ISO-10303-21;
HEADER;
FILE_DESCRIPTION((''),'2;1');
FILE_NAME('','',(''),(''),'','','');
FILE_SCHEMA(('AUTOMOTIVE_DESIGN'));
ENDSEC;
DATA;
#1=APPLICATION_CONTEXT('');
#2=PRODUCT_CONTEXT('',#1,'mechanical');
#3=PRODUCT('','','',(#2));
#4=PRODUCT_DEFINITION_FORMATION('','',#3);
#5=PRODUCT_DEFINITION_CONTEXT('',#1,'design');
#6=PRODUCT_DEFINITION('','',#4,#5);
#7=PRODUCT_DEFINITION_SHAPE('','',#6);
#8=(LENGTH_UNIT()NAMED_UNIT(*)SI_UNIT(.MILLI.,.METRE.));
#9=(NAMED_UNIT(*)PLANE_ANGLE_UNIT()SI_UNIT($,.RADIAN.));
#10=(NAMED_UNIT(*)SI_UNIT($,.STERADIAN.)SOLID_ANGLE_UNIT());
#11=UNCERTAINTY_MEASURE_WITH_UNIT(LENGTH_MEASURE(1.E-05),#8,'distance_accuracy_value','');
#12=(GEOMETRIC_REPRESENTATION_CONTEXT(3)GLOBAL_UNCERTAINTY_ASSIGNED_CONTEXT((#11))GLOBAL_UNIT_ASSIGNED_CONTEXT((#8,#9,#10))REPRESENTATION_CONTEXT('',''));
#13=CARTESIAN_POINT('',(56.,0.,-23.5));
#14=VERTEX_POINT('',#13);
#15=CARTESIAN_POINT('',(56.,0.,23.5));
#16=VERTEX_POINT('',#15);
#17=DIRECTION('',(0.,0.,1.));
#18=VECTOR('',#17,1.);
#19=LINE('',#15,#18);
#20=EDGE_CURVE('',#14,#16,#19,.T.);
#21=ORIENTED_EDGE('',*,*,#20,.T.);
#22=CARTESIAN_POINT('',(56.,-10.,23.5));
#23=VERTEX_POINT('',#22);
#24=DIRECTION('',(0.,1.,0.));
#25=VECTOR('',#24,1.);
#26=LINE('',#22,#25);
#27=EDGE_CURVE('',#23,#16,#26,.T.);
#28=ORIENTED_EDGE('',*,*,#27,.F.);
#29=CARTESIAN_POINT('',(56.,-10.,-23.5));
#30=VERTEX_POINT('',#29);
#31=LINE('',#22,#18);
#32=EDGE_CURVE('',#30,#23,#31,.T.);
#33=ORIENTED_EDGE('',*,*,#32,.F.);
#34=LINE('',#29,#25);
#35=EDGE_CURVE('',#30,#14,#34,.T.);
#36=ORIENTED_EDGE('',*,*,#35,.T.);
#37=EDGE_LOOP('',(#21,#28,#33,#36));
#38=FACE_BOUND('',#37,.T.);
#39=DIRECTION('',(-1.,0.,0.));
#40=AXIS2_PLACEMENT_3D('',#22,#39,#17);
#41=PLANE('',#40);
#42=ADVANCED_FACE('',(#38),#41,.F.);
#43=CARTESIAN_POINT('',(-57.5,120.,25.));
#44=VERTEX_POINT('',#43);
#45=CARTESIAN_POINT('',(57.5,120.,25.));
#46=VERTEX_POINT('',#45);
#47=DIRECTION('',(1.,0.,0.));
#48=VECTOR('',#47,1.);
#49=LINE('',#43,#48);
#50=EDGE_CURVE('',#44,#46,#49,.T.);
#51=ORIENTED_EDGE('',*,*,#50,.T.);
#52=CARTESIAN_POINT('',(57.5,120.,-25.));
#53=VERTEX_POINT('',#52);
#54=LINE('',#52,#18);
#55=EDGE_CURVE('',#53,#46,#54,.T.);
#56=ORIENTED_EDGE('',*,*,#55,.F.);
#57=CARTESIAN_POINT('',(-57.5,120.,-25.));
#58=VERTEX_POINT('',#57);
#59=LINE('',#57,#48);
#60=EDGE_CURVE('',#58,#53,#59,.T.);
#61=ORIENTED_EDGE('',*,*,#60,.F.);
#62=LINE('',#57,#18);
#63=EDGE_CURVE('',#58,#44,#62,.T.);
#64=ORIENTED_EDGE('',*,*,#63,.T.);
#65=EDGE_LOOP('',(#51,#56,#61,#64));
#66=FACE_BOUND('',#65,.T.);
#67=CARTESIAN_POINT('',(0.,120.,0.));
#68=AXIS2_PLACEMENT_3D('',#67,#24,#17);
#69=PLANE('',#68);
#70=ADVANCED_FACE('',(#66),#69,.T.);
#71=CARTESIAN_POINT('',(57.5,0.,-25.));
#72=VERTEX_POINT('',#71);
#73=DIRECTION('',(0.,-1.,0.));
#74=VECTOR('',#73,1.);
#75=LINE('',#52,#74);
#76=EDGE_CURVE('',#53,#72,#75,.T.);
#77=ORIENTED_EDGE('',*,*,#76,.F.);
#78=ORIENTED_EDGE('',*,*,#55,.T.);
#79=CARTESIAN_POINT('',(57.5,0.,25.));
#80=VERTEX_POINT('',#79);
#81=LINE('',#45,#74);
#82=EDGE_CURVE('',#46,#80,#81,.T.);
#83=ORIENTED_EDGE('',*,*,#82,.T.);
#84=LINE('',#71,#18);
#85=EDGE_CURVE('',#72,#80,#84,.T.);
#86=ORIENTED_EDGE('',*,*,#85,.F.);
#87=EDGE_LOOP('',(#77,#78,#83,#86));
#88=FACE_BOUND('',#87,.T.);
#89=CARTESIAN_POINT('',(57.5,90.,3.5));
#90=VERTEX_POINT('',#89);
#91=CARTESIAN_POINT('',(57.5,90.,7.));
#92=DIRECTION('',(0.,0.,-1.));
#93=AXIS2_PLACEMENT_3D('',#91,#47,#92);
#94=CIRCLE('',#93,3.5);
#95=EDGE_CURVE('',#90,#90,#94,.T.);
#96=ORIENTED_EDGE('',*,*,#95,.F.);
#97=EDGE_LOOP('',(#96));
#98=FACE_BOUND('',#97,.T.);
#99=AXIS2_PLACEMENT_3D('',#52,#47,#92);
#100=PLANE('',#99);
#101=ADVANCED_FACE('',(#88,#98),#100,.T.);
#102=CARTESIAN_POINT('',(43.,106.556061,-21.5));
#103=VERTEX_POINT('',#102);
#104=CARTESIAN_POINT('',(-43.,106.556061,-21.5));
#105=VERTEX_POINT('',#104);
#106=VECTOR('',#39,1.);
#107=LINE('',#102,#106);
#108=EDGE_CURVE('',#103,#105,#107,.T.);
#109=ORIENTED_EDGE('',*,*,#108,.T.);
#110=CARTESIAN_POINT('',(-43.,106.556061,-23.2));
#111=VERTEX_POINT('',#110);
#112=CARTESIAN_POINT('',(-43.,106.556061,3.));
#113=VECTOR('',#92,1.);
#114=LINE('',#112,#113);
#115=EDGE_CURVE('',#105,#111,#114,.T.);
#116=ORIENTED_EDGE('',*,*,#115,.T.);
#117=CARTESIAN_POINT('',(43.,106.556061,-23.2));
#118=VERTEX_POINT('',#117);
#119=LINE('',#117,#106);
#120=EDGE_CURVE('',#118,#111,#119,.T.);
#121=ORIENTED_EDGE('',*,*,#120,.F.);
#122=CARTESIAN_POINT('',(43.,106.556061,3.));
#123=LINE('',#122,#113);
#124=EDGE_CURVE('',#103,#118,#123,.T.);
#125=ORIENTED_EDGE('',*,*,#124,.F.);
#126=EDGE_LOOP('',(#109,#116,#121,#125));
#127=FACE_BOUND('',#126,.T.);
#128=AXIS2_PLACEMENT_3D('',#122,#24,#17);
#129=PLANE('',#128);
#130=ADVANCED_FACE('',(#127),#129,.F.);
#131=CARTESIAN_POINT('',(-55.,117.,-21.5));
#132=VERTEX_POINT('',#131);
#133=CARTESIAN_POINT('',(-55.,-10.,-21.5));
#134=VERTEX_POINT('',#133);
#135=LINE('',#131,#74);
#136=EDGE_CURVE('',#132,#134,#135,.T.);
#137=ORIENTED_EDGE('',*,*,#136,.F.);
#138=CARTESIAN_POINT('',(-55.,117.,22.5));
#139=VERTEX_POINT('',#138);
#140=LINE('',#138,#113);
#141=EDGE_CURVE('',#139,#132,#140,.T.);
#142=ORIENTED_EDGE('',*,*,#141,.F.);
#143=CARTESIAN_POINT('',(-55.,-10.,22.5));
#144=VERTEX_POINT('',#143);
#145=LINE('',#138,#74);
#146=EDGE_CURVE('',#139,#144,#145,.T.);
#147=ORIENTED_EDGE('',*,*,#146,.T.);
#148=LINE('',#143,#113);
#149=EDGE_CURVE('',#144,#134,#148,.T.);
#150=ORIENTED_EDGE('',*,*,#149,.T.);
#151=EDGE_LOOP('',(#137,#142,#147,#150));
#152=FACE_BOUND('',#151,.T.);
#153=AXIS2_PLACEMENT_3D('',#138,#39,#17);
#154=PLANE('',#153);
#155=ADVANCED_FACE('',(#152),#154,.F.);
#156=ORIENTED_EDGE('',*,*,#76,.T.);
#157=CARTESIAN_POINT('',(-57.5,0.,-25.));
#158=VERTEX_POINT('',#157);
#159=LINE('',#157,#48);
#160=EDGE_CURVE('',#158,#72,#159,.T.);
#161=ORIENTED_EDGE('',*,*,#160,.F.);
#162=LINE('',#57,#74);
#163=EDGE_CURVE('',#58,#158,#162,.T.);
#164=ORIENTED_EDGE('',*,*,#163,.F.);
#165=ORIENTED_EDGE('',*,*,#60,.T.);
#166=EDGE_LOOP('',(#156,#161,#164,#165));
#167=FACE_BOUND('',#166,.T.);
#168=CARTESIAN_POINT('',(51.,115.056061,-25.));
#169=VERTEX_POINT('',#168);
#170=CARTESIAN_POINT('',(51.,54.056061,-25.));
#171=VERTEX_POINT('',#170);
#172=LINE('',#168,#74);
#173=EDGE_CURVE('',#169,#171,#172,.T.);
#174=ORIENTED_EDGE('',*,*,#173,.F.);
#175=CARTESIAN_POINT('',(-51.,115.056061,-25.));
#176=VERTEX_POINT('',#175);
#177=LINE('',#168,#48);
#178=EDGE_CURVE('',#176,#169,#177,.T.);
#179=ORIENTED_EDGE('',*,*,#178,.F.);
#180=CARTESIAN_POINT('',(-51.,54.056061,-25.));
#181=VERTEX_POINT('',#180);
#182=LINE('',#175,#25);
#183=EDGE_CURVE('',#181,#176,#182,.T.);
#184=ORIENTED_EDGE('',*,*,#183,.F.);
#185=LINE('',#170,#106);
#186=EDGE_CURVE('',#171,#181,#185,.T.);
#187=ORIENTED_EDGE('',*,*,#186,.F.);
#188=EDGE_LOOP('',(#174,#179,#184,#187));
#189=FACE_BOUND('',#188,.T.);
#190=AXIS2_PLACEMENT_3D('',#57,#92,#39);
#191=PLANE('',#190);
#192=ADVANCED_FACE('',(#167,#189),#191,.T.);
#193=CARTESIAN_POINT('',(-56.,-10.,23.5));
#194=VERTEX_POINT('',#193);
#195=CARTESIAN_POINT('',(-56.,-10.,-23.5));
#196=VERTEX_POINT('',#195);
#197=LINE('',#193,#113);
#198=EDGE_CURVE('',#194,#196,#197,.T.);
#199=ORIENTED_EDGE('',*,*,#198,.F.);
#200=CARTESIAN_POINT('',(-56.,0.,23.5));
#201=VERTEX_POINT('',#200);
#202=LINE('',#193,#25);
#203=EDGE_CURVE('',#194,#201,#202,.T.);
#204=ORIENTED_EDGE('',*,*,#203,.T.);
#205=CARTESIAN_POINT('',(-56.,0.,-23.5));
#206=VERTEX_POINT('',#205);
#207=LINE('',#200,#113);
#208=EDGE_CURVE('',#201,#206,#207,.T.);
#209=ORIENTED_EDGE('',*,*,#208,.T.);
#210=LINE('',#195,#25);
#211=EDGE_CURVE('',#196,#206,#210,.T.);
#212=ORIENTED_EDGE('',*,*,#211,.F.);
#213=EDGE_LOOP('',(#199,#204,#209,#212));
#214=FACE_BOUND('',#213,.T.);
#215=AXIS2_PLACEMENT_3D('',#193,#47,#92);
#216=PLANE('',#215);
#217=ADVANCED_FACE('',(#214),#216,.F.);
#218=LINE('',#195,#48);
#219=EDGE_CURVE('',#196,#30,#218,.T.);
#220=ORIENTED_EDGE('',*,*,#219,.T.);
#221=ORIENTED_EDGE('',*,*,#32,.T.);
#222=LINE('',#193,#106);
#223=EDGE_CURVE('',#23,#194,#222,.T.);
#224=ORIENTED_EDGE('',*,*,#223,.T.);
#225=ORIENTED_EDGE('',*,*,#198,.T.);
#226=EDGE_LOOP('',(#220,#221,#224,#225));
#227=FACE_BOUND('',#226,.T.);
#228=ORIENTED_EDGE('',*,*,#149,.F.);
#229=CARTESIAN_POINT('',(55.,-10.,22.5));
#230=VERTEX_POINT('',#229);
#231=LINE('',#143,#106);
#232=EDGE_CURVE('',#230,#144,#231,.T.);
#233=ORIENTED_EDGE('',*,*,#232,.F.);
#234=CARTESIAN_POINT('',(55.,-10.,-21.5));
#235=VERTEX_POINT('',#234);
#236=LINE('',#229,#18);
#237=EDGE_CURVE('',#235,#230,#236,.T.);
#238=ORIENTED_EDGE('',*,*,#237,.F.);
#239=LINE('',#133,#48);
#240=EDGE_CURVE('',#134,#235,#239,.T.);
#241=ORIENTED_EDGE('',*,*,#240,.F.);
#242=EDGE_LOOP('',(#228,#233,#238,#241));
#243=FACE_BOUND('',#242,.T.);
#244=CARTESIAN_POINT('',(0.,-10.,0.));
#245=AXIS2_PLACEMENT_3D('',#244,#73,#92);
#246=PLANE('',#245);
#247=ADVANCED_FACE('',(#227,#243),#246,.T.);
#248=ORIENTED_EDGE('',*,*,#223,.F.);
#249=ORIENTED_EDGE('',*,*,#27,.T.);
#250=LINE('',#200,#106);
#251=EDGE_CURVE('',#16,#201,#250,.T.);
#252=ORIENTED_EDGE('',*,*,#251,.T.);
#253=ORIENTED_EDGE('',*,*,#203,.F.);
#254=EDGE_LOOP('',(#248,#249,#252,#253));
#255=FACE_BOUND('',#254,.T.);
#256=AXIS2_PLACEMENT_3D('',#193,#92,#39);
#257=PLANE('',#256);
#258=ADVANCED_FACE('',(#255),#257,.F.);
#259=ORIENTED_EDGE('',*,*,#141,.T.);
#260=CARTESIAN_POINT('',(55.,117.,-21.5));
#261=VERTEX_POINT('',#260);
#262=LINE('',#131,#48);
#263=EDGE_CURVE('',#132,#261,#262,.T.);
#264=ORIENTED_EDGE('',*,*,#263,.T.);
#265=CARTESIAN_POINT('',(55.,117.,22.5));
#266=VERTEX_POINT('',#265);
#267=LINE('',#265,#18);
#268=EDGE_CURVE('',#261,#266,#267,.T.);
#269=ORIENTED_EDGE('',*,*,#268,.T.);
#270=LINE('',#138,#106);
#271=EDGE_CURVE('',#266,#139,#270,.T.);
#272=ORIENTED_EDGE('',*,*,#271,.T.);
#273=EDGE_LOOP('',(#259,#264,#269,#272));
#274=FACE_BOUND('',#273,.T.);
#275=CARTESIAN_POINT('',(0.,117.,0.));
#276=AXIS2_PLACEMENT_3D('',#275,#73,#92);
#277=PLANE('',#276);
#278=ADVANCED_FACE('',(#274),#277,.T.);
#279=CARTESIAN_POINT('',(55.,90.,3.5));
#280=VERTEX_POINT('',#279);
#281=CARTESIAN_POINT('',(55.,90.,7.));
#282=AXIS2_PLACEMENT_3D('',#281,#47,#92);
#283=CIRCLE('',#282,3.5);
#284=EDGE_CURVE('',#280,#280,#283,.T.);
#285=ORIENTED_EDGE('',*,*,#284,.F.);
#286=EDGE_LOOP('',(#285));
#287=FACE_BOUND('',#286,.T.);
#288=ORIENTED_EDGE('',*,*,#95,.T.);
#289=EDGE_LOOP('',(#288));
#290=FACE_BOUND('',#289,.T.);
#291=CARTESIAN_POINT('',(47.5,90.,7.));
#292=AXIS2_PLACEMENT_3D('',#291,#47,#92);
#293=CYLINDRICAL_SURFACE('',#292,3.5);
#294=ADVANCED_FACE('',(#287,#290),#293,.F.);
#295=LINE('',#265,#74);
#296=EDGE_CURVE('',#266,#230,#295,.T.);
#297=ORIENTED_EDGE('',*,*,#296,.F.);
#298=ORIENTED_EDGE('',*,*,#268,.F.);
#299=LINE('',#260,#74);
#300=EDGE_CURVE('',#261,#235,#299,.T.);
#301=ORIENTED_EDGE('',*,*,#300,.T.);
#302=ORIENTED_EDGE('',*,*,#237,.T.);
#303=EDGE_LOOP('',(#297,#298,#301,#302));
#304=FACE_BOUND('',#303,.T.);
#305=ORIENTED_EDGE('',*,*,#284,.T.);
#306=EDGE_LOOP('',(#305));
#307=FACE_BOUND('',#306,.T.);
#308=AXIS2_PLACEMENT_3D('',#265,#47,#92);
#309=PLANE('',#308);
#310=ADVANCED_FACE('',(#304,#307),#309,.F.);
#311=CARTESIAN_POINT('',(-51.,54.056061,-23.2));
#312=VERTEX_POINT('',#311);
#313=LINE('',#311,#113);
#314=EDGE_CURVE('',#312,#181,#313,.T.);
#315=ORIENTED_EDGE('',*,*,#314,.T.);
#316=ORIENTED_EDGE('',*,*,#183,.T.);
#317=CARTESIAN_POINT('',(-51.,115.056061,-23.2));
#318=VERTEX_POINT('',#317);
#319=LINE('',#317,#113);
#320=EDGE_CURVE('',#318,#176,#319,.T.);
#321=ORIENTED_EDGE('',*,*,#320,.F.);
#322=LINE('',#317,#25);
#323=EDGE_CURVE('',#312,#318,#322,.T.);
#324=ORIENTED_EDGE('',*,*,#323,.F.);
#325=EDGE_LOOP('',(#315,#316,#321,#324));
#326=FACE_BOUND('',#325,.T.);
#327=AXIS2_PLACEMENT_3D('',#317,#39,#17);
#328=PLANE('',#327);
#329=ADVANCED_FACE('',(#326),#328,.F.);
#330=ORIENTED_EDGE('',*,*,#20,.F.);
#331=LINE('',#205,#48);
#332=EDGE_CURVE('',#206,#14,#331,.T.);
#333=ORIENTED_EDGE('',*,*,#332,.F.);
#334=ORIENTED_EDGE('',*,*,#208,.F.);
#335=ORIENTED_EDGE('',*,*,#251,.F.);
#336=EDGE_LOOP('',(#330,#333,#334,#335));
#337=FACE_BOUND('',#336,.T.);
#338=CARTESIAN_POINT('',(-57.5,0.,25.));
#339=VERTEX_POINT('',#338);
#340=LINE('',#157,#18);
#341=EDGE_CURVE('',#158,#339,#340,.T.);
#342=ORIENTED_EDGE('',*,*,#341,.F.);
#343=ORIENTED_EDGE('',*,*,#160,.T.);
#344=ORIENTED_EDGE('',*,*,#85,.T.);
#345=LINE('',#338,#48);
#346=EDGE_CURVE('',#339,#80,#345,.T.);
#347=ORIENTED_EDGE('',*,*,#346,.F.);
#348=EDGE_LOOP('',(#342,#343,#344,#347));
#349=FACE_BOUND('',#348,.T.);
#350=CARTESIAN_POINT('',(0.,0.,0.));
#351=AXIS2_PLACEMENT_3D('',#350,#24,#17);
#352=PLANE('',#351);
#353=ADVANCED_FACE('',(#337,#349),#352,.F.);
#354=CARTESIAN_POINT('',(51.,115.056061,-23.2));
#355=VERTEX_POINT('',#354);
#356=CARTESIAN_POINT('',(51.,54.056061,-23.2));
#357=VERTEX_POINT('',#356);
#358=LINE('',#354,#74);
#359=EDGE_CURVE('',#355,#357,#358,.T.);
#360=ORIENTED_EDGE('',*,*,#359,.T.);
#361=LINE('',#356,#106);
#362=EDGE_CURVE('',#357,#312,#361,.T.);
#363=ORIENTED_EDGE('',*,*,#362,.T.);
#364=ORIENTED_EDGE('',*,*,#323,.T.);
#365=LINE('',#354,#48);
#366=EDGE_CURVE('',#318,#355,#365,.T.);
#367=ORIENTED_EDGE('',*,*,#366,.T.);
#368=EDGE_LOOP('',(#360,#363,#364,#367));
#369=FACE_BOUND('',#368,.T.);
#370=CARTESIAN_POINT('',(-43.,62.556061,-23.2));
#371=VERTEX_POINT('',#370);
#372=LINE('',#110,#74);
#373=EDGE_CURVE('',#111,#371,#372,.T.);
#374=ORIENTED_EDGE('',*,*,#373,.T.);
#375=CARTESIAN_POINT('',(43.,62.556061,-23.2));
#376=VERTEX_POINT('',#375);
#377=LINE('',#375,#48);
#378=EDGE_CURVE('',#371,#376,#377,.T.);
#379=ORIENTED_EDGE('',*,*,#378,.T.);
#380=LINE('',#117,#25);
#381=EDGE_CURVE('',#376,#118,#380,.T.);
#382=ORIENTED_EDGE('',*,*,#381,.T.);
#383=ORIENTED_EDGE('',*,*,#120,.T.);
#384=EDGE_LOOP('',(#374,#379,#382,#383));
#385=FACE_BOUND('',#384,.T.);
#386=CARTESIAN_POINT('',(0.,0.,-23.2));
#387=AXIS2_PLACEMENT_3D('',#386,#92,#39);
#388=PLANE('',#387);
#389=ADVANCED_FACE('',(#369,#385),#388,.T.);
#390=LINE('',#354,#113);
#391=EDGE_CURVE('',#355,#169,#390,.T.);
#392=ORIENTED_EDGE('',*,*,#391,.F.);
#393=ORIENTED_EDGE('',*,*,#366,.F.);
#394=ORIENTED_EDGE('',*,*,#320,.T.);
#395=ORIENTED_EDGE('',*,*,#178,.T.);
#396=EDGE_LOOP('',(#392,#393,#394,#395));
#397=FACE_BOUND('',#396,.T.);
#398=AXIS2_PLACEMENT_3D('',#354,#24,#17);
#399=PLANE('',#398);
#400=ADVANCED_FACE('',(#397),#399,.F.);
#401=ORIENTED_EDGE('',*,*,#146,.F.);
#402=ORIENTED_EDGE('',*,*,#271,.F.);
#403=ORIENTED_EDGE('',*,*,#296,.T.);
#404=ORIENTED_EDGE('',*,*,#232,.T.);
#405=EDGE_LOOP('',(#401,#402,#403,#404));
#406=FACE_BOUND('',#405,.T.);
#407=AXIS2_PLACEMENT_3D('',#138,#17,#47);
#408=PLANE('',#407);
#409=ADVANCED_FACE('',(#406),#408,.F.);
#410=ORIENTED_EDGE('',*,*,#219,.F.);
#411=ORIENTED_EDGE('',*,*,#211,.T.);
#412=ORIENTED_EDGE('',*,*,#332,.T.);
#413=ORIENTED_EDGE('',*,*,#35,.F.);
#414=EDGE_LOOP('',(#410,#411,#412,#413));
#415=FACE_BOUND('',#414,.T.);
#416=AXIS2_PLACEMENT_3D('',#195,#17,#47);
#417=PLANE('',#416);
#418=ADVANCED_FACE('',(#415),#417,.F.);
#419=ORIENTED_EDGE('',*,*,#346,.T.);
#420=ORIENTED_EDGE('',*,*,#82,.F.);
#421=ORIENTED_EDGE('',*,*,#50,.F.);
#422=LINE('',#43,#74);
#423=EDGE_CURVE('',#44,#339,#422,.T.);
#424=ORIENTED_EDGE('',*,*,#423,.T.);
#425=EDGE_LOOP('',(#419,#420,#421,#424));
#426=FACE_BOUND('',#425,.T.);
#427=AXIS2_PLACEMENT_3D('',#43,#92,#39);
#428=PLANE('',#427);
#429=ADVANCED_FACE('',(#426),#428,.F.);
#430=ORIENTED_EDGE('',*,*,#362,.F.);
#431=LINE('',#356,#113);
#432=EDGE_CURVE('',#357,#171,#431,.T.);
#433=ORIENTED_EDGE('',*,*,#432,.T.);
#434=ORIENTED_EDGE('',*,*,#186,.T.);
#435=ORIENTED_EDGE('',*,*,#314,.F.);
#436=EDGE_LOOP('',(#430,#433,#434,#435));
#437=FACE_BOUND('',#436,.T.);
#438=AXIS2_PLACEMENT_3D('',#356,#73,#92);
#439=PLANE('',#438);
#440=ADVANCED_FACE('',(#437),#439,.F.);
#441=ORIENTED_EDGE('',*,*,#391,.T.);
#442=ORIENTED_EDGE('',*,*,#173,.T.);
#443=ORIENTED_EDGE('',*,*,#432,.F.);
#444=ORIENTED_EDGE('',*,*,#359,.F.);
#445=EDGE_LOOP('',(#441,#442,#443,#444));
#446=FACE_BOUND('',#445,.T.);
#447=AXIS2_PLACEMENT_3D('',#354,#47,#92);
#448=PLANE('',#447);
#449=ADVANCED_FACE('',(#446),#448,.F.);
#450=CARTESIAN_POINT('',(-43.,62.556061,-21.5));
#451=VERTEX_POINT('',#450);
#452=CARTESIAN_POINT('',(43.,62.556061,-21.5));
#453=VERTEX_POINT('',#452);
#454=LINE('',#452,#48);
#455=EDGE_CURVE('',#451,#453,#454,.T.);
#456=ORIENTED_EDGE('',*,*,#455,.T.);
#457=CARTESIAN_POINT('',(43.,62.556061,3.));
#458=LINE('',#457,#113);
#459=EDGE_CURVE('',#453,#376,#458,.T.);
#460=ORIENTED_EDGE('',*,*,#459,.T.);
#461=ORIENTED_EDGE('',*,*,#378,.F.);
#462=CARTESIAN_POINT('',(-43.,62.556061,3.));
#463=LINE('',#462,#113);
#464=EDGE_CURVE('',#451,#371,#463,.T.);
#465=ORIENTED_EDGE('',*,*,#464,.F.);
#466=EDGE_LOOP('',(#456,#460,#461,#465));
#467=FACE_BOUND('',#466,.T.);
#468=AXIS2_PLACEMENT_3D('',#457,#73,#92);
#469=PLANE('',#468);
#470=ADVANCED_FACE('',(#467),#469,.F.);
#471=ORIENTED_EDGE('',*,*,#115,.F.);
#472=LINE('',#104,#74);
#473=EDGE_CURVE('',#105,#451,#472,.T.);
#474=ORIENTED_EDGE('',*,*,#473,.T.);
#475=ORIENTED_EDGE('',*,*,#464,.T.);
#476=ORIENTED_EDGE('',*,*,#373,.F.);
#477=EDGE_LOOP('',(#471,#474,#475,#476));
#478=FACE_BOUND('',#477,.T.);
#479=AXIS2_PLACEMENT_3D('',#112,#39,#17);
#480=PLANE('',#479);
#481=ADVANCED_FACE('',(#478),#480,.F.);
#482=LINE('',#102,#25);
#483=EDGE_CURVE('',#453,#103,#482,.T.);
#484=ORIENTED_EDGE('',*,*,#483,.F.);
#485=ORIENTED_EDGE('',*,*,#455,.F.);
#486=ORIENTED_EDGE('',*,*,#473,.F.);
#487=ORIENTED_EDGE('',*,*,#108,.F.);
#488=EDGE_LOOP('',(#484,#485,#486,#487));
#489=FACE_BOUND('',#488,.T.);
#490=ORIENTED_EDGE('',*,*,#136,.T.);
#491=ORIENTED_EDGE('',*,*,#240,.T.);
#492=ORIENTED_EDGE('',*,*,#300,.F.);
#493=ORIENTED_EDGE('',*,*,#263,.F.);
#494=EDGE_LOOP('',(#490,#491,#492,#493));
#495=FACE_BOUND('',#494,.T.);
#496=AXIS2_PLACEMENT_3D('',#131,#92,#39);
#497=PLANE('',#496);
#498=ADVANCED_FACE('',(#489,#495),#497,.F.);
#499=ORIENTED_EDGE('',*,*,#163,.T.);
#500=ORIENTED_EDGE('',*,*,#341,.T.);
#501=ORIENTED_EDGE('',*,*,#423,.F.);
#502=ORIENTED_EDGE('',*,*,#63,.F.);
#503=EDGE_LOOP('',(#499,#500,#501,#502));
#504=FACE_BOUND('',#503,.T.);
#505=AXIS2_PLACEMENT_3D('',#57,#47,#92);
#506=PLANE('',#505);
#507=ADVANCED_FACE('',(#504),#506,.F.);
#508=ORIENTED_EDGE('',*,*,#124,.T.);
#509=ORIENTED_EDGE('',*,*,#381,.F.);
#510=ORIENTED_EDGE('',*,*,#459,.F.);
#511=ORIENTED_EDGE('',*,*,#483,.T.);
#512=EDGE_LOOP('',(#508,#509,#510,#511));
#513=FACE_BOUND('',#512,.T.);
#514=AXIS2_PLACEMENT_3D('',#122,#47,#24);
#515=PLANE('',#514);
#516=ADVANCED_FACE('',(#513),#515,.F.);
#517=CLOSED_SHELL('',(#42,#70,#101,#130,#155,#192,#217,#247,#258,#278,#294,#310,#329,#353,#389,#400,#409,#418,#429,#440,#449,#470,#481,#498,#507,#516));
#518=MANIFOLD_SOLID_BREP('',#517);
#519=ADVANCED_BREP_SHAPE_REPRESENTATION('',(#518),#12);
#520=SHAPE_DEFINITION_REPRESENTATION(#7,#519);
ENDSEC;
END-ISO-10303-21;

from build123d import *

# Parameters (mm, degrees)
SKETCH_1_W          = 115
SKETCH_1_H          = 50
EXTRUDE_1_DEPTH     = 120
SKETCH_4_W          = 86
SKETCH_4_H          = 44
CUT_EXTRUDE_3_DEPTH = 28
SKETCH_6_W          = 102
SKETCH_6_H          = 61
CUT_EXTRUDE_4_DEPTH = 1.8
SKETCH_8_W          = 112
SKETCH_8_H          = 47
EXTRUDE_3_DEPTH     = 10
SKETCH_10_W         = 110
SKETCH_10_H         = 44
CUT_EXTRUDE_5_DEPTH = 127
SKETCH_11_R         = 3.5
CUT_EXTRUDE_6_DEPTH = 10


with BuildPart() as part:
    # 草图1 → 凸台-拉伸1 (new body)
    with BuildSketch(Plane(origin=(0, 0, 0), x_dir=(1, 0, 0), z_dir=(0, 1, 0))):
        Rectangle(SKETCH_1_W, SKETCH_1_H)
    extrude(amount=EXTRUDE_1_DEPTH)

    # 草图4 → 切除-拉伸3 (cut)
    with BuildSketch(Plane(origin=(0, 0, -25), x_dir=(-1, 0, 0), z_dir=(0, 0, -1))):
        with Locations((0, 84.556060941)):
            Rectangle(SKETCH_4_W, SKETCH_4_H)
    extrude(amount=-CUT_EXTRUDE_3_DEPTH, mode=Mode.SUBTRACT)

    # 草图6 → 切除-拉伸4 (cut)
    with BuildSketch(Plane(origin=(0, 0, -25), x_dir=(-1, 0, 0), z_dir=(0, 0, -1))):
        with Locations((0, 84.556060941)):
            Rectangle(SKETCH_6_W, SKETCH_6_H)
    extrude(amount=-CUT_EXTRUDE_4_DEPTH, mode=Mode.SUBTRACT)

    # 草图8 → 凸台-拉伸3 (add)
    with BuildSketch(Plane.XZ):
        Rectangle(SKETCH_8_W, SKETCH_8_H)
    extrude(amount=EXTRUDE_3_DEPTH)

    # 草图10 → 切除-拉伸5 (cut)
    with BuildSketch(Plane.XZ.offset(10)):
        with Locations((0, 0.5)):
            Rectangle(SKETCH_10_W, SKETCH_10_H)
    extrude(amount=-CUT_EXTRUDE_5_DEPTH, mode=Mode.SUBTRACT)

    # 草图11 → 切除-拉伸6 (cut)
    with BuildSketch(Plane(origin=(57.5, 0, 0), x_dir=(0, 0, -1), z_dir=(1, 0, 0))):
        with Locations((-7, 90)):
            Circle(SKETCH_11_R)
    extrude(amount=-CUT_EXTRUDE_6_DEPTH, mode=Mode.SUBTRACT)


solid = part.part
